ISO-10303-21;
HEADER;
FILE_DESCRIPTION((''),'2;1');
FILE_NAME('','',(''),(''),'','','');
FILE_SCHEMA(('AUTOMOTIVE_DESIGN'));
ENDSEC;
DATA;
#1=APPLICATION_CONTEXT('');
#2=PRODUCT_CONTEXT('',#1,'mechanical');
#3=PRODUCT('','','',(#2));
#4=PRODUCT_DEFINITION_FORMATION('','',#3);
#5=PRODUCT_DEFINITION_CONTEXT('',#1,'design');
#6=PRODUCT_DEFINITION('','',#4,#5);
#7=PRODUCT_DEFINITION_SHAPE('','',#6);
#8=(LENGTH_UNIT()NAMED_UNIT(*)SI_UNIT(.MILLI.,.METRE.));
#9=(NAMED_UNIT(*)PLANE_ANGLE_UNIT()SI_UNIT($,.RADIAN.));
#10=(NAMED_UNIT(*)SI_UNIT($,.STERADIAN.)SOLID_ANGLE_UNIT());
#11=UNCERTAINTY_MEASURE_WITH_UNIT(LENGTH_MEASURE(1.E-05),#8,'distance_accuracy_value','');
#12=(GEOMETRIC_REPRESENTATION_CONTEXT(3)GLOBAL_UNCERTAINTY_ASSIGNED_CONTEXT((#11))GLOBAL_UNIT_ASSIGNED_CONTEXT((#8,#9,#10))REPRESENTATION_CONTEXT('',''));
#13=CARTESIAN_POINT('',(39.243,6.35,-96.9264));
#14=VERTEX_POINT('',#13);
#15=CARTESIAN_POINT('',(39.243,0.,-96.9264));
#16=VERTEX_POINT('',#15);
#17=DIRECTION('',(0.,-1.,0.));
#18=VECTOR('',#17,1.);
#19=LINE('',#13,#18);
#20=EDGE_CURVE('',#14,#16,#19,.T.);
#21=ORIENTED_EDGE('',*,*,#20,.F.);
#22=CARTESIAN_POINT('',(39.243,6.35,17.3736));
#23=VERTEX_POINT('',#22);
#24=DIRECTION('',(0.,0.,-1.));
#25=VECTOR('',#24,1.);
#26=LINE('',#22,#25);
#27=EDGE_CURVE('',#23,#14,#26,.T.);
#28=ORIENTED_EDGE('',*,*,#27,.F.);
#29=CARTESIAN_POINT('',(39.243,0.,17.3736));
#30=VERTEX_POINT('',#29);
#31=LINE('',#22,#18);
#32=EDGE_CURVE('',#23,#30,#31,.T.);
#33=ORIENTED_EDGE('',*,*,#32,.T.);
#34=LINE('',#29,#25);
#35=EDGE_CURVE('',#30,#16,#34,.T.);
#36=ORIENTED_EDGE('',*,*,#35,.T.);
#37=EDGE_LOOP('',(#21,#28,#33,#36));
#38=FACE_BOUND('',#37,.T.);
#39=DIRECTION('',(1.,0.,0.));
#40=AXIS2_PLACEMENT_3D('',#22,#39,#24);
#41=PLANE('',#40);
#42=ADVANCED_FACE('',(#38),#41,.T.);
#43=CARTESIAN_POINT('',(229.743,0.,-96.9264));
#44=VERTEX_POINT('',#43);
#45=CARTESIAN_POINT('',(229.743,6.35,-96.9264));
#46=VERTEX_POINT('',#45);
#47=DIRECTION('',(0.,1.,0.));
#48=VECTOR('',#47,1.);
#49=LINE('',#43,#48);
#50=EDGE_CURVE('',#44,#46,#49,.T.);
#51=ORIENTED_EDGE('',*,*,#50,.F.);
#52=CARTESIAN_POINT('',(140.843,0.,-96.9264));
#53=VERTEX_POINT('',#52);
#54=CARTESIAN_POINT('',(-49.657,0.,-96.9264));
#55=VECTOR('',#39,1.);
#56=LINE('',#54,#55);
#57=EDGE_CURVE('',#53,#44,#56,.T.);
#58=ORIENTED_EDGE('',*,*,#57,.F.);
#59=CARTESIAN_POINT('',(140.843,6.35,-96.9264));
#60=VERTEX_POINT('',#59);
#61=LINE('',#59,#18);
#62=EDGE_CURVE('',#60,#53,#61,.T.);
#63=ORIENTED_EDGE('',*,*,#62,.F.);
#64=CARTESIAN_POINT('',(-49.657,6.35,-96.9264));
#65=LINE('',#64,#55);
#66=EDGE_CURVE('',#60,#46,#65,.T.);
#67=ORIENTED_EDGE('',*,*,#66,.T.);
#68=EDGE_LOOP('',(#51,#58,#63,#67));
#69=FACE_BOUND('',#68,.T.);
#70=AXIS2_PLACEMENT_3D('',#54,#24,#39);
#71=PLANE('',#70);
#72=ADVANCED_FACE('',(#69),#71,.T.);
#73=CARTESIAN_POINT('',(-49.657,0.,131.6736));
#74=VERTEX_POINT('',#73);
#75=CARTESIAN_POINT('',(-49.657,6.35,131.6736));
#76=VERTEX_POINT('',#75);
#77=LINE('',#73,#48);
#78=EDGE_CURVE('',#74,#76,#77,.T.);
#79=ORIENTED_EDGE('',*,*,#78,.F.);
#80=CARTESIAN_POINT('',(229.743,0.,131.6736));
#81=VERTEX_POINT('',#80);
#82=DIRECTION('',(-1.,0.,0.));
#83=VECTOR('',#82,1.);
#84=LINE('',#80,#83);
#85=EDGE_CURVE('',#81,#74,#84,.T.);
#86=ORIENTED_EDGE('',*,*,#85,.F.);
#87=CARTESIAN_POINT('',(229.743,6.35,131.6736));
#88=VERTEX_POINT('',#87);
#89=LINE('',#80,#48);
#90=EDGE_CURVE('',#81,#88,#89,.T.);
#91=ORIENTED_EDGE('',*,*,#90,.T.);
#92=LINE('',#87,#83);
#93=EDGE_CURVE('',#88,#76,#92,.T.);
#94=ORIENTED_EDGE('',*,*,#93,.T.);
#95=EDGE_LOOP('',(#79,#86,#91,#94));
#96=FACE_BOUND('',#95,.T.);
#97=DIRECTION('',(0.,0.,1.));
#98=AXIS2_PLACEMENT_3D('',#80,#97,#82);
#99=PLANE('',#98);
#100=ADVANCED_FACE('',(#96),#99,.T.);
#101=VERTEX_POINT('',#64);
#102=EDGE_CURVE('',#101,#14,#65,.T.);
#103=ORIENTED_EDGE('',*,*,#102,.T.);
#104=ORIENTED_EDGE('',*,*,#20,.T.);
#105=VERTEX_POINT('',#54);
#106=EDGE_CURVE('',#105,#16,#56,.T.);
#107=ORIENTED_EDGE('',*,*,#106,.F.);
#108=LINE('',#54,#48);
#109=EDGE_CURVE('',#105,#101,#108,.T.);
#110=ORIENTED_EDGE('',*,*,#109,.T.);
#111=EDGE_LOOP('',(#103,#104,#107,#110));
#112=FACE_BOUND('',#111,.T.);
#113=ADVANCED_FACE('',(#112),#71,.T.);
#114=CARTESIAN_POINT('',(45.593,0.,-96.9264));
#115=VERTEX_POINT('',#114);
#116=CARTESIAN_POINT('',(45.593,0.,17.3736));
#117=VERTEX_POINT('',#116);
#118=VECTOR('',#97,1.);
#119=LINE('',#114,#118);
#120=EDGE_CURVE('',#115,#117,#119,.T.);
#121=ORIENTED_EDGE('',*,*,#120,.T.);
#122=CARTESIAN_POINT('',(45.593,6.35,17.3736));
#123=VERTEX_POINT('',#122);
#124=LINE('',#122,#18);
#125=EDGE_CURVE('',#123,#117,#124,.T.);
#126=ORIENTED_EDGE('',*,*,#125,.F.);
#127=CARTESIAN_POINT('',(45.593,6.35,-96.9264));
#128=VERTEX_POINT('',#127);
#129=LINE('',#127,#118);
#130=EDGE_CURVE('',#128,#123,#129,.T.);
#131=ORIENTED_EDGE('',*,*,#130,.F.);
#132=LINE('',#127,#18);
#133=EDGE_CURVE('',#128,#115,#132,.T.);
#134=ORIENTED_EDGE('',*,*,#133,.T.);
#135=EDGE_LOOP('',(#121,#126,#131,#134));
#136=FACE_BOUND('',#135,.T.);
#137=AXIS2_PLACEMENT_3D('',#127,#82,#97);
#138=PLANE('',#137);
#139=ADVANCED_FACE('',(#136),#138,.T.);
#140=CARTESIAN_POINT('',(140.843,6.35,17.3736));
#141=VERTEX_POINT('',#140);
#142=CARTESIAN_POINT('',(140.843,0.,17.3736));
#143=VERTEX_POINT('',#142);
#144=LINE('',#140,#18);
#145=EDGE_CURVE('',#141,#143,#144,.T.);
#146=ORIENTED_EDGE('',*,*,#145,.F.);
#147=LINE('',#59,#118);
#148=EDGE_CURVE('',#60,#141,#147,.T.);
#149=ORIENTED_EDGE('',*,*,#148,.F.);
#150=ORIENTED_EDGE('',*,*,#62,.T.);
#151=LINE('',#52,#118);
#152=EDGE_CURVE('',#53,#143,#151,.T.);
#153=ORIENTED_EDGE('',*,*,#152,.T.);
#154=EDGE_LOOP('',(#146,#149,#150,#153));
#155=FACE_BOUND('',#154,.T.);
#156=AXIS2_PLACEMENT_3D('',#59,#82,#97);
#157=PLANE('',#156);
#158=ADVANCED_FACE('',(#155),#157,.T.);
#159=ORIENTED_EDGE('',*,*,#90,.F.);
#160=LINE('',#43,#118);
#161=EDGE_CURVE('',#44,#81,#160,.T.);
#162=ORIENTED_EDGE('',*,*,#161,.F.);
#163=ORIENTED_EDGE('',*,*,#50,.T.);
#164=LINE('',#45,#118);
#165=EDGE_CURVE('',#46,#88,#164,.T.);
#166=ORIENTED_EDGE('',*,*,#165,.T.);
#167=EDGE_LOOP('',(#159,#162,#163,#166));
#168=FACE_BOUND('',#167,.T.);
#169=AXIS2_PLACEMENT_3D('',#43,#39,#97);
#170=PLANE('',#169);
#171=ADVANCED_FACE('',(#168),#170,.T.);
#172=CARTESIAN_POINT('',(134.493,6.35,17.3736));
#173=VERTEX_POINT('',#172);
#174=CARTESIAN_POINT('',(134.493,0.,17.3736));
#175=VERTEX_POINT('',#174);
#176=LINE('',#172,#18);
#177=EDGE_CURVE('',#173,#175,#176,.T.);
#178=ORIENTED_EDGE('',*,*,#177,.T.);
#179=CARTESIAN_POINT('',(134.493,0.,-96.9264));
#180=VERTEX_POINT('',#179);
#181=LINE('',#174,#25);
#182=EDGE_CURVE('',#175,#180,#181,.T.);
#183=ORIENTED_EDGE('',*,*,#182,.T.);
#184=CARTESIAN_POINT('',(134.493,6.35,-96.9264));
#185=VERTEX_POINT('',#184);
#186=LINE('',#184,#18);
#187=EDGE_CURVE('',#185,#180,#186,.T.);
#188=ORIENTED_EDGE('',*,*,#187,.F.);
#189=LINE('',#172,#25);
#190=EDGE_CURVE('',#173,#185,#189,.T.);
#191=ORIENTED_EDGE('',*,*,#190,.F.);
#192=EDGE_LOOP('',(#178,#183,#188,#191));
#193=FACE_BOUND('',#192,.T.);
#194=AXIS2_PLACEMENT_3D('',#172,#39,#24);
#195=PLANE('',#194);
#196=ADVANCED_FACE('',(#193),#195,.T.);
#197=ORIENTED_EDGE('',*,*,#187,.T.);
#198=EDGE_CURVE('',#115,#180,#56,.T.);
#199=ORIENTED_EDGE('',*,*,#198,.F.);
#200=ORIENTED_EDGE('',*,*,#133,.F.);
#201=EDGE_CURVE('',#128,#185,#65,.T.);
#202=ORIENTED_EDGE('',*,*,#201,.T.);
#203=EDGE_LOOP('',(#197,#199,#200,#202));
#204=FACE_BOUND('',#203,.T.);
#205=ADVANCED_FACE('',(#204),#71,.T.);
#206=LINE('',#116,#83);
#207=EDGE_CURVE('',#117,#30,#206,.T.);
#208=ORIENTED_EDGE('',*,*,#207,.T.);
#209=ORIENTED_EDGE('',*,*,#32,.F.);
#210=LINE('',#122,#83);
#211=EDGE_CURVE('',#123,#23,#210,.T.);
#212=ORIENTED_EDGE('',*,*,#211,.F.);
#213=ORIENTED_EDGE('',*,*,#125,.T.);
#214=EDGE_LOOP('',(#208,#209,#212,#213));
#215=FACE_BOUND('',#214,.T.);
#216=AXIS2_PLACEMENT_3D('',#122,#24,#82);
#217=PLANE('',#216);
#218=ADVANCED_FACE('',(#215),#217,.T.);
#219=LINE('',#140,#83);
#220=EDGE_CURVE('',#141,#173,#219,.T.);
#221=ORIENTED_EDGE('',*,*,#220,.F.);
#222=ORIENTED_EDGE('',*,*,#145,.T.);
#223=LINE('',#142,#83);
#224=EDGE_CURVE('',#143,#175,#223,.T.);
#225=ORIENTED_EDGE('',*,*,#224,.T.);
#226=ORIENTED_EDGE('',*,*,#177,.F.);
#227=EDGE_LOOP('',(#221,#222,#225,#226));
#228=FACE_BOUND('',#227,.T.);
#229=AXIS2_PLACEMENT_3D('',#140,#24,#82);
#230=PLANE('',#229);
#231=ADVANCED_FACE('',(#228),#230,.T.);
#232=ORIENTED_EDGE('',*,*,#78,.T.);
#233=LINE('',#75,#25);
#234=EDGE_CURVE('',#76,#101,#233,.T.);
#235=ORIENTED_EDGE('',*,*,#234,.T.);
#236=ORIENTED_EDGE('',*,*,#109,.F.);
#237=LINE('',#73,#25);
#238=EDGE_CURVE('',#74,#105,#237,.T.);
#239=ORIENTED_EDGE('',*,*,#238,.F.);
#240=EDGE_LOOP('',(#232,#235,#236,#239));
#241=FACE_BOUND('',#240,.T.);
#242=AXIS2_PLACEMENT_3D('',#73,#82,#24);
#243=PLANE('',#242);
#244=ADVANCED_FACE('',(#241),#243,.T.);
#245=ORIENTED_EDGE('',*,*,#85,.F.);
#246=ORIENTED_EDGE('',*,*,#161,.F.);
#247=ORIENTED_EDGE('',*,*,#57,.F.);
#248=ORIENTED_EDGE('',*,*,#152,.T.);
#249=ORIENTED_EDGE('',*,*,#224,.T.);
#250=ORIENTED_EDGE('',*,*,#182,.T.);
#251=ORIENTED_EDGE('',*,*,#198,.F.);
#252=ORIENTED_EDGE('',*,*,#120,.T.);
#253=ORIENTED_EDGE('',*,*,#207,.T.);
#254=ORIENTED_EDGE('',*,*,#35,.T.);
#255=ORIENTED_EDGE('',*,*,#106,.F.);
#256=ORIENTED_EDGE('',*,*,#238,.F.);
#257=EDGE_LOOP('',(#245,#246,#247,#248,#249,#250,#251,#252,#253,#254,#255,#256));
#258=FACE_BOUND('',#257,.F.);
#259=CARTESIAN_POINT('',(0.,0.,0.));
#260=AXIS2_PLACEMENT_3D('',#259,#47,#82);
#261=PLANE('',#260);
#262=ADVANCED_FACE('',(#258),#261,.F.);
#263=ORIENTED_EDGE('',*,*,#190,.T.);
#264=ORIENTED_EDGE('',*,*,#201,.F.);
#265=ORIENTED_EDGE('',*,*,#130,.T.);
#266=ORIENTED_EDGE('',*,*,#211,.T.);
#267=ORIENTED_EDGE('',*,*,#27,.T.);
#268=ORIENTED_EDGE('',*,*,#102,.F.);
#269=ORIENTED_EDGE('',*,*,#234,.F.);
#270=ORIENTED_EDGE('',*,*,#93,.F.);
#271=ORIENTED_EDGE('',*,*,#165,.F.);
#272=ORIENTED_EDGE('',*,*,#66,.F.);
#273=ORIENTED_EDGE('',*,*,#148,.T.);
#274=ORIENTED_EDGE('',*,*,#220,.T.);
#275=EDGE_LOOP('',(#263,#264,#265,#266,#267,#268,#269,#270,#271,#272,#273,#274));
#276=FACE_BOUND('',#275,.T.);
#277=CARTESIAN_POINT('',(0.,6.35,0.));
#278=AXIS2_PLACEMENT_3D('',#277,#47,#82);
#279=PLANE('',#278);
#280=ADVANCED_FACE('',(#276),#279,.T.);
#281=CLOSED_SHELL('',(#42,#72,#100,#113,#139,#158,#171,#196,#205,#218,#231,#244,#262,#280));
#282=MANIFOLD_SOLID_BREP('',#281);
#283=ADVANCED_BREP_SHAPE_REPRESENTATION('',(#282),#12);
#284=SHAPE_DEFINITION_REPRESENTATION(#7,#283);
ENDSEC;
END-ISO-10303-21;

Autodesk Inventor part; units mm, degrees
ref_plane "YZ Plane" through (0, 0, 0) normal (1, 0, 0) x (0, 1, 0)
ref_plane "XZ Plane" through (0, 0, 0) normal (0, 1, 0) x (-1, 0, 0)
ref_plane "XY Plane" through (0, 0, 0) normal (0, 0, 1) x (1, 0, 0)
sketch "Sketch1" plane through (0, 0, 0) normal (0, 1, 0) x (-1, 0, 0)
  line L0 (49.657, -96.9264) -> (-229.743, -96.9264)
  line L1 (-229.743, -96.9264) -> (-229.743, 131.6736)
  line L2 (-229.743, 131.6736) -> (49.657, 131.6736)
  line L3 (49.657, 131.6736) -> (49.657, -96.9264)
  point P0 (0, 0)
  dimension "d0" = 228.6
  dimension "d1" = 279.4
extrude "Board" add sketch "Sketch1" along normal blind 6.35
sketch "Sketch2" plane through (0, 6.35, 0) normal (0, 1, 0) x (1, 0, 0)
  line L0 (39.243, 96.9264) -> (45.593, 96.9264)
  line L1 (45.593, 96.9264) -> (45.593, -17.3736)
  line L2 (45.593, -17.3736) -> (39.243, -17.3736)
  line L3 (39.243, -17.3736) -> (39.243, 96.9264)
  line L4 (-49.657, 96.9264) -> (-49.657, -131.6736) projected
  line L5 (134.493, 96.9264) -> (140.843, 96.9264)
  line L6 (140.843, 96.9264) -> (140.843, -17.3736)
  line L7 (140.843, -17.3736) -> (134.493, -17.3736)
  line L8 (134.493, -17.3736) -> (134.493, 96.9264)
  line L9 (229.743, -131.6736) -> (229.743, 96.9264) projected
  point P0 (0, 0)
  dimension "d4" = 6.35
  dimension "d5" = 114.3
  dimension "d6" = 88.9
  dimension "d7" = 6.35
  dimension "d8" = 114.3
  dimension "d13" = 88.9
  dimension "d17" = 88.9
extrude "Extrusion2" cut sketch "Sketch2" against normal blind 6.35
equation "\"d5\" = 0.5 * d0"
equation "\"d8\" = 0.5 * d9"
equation "\"d9\" = 228.6"
properties part number "Wine Rack Horizontal"
